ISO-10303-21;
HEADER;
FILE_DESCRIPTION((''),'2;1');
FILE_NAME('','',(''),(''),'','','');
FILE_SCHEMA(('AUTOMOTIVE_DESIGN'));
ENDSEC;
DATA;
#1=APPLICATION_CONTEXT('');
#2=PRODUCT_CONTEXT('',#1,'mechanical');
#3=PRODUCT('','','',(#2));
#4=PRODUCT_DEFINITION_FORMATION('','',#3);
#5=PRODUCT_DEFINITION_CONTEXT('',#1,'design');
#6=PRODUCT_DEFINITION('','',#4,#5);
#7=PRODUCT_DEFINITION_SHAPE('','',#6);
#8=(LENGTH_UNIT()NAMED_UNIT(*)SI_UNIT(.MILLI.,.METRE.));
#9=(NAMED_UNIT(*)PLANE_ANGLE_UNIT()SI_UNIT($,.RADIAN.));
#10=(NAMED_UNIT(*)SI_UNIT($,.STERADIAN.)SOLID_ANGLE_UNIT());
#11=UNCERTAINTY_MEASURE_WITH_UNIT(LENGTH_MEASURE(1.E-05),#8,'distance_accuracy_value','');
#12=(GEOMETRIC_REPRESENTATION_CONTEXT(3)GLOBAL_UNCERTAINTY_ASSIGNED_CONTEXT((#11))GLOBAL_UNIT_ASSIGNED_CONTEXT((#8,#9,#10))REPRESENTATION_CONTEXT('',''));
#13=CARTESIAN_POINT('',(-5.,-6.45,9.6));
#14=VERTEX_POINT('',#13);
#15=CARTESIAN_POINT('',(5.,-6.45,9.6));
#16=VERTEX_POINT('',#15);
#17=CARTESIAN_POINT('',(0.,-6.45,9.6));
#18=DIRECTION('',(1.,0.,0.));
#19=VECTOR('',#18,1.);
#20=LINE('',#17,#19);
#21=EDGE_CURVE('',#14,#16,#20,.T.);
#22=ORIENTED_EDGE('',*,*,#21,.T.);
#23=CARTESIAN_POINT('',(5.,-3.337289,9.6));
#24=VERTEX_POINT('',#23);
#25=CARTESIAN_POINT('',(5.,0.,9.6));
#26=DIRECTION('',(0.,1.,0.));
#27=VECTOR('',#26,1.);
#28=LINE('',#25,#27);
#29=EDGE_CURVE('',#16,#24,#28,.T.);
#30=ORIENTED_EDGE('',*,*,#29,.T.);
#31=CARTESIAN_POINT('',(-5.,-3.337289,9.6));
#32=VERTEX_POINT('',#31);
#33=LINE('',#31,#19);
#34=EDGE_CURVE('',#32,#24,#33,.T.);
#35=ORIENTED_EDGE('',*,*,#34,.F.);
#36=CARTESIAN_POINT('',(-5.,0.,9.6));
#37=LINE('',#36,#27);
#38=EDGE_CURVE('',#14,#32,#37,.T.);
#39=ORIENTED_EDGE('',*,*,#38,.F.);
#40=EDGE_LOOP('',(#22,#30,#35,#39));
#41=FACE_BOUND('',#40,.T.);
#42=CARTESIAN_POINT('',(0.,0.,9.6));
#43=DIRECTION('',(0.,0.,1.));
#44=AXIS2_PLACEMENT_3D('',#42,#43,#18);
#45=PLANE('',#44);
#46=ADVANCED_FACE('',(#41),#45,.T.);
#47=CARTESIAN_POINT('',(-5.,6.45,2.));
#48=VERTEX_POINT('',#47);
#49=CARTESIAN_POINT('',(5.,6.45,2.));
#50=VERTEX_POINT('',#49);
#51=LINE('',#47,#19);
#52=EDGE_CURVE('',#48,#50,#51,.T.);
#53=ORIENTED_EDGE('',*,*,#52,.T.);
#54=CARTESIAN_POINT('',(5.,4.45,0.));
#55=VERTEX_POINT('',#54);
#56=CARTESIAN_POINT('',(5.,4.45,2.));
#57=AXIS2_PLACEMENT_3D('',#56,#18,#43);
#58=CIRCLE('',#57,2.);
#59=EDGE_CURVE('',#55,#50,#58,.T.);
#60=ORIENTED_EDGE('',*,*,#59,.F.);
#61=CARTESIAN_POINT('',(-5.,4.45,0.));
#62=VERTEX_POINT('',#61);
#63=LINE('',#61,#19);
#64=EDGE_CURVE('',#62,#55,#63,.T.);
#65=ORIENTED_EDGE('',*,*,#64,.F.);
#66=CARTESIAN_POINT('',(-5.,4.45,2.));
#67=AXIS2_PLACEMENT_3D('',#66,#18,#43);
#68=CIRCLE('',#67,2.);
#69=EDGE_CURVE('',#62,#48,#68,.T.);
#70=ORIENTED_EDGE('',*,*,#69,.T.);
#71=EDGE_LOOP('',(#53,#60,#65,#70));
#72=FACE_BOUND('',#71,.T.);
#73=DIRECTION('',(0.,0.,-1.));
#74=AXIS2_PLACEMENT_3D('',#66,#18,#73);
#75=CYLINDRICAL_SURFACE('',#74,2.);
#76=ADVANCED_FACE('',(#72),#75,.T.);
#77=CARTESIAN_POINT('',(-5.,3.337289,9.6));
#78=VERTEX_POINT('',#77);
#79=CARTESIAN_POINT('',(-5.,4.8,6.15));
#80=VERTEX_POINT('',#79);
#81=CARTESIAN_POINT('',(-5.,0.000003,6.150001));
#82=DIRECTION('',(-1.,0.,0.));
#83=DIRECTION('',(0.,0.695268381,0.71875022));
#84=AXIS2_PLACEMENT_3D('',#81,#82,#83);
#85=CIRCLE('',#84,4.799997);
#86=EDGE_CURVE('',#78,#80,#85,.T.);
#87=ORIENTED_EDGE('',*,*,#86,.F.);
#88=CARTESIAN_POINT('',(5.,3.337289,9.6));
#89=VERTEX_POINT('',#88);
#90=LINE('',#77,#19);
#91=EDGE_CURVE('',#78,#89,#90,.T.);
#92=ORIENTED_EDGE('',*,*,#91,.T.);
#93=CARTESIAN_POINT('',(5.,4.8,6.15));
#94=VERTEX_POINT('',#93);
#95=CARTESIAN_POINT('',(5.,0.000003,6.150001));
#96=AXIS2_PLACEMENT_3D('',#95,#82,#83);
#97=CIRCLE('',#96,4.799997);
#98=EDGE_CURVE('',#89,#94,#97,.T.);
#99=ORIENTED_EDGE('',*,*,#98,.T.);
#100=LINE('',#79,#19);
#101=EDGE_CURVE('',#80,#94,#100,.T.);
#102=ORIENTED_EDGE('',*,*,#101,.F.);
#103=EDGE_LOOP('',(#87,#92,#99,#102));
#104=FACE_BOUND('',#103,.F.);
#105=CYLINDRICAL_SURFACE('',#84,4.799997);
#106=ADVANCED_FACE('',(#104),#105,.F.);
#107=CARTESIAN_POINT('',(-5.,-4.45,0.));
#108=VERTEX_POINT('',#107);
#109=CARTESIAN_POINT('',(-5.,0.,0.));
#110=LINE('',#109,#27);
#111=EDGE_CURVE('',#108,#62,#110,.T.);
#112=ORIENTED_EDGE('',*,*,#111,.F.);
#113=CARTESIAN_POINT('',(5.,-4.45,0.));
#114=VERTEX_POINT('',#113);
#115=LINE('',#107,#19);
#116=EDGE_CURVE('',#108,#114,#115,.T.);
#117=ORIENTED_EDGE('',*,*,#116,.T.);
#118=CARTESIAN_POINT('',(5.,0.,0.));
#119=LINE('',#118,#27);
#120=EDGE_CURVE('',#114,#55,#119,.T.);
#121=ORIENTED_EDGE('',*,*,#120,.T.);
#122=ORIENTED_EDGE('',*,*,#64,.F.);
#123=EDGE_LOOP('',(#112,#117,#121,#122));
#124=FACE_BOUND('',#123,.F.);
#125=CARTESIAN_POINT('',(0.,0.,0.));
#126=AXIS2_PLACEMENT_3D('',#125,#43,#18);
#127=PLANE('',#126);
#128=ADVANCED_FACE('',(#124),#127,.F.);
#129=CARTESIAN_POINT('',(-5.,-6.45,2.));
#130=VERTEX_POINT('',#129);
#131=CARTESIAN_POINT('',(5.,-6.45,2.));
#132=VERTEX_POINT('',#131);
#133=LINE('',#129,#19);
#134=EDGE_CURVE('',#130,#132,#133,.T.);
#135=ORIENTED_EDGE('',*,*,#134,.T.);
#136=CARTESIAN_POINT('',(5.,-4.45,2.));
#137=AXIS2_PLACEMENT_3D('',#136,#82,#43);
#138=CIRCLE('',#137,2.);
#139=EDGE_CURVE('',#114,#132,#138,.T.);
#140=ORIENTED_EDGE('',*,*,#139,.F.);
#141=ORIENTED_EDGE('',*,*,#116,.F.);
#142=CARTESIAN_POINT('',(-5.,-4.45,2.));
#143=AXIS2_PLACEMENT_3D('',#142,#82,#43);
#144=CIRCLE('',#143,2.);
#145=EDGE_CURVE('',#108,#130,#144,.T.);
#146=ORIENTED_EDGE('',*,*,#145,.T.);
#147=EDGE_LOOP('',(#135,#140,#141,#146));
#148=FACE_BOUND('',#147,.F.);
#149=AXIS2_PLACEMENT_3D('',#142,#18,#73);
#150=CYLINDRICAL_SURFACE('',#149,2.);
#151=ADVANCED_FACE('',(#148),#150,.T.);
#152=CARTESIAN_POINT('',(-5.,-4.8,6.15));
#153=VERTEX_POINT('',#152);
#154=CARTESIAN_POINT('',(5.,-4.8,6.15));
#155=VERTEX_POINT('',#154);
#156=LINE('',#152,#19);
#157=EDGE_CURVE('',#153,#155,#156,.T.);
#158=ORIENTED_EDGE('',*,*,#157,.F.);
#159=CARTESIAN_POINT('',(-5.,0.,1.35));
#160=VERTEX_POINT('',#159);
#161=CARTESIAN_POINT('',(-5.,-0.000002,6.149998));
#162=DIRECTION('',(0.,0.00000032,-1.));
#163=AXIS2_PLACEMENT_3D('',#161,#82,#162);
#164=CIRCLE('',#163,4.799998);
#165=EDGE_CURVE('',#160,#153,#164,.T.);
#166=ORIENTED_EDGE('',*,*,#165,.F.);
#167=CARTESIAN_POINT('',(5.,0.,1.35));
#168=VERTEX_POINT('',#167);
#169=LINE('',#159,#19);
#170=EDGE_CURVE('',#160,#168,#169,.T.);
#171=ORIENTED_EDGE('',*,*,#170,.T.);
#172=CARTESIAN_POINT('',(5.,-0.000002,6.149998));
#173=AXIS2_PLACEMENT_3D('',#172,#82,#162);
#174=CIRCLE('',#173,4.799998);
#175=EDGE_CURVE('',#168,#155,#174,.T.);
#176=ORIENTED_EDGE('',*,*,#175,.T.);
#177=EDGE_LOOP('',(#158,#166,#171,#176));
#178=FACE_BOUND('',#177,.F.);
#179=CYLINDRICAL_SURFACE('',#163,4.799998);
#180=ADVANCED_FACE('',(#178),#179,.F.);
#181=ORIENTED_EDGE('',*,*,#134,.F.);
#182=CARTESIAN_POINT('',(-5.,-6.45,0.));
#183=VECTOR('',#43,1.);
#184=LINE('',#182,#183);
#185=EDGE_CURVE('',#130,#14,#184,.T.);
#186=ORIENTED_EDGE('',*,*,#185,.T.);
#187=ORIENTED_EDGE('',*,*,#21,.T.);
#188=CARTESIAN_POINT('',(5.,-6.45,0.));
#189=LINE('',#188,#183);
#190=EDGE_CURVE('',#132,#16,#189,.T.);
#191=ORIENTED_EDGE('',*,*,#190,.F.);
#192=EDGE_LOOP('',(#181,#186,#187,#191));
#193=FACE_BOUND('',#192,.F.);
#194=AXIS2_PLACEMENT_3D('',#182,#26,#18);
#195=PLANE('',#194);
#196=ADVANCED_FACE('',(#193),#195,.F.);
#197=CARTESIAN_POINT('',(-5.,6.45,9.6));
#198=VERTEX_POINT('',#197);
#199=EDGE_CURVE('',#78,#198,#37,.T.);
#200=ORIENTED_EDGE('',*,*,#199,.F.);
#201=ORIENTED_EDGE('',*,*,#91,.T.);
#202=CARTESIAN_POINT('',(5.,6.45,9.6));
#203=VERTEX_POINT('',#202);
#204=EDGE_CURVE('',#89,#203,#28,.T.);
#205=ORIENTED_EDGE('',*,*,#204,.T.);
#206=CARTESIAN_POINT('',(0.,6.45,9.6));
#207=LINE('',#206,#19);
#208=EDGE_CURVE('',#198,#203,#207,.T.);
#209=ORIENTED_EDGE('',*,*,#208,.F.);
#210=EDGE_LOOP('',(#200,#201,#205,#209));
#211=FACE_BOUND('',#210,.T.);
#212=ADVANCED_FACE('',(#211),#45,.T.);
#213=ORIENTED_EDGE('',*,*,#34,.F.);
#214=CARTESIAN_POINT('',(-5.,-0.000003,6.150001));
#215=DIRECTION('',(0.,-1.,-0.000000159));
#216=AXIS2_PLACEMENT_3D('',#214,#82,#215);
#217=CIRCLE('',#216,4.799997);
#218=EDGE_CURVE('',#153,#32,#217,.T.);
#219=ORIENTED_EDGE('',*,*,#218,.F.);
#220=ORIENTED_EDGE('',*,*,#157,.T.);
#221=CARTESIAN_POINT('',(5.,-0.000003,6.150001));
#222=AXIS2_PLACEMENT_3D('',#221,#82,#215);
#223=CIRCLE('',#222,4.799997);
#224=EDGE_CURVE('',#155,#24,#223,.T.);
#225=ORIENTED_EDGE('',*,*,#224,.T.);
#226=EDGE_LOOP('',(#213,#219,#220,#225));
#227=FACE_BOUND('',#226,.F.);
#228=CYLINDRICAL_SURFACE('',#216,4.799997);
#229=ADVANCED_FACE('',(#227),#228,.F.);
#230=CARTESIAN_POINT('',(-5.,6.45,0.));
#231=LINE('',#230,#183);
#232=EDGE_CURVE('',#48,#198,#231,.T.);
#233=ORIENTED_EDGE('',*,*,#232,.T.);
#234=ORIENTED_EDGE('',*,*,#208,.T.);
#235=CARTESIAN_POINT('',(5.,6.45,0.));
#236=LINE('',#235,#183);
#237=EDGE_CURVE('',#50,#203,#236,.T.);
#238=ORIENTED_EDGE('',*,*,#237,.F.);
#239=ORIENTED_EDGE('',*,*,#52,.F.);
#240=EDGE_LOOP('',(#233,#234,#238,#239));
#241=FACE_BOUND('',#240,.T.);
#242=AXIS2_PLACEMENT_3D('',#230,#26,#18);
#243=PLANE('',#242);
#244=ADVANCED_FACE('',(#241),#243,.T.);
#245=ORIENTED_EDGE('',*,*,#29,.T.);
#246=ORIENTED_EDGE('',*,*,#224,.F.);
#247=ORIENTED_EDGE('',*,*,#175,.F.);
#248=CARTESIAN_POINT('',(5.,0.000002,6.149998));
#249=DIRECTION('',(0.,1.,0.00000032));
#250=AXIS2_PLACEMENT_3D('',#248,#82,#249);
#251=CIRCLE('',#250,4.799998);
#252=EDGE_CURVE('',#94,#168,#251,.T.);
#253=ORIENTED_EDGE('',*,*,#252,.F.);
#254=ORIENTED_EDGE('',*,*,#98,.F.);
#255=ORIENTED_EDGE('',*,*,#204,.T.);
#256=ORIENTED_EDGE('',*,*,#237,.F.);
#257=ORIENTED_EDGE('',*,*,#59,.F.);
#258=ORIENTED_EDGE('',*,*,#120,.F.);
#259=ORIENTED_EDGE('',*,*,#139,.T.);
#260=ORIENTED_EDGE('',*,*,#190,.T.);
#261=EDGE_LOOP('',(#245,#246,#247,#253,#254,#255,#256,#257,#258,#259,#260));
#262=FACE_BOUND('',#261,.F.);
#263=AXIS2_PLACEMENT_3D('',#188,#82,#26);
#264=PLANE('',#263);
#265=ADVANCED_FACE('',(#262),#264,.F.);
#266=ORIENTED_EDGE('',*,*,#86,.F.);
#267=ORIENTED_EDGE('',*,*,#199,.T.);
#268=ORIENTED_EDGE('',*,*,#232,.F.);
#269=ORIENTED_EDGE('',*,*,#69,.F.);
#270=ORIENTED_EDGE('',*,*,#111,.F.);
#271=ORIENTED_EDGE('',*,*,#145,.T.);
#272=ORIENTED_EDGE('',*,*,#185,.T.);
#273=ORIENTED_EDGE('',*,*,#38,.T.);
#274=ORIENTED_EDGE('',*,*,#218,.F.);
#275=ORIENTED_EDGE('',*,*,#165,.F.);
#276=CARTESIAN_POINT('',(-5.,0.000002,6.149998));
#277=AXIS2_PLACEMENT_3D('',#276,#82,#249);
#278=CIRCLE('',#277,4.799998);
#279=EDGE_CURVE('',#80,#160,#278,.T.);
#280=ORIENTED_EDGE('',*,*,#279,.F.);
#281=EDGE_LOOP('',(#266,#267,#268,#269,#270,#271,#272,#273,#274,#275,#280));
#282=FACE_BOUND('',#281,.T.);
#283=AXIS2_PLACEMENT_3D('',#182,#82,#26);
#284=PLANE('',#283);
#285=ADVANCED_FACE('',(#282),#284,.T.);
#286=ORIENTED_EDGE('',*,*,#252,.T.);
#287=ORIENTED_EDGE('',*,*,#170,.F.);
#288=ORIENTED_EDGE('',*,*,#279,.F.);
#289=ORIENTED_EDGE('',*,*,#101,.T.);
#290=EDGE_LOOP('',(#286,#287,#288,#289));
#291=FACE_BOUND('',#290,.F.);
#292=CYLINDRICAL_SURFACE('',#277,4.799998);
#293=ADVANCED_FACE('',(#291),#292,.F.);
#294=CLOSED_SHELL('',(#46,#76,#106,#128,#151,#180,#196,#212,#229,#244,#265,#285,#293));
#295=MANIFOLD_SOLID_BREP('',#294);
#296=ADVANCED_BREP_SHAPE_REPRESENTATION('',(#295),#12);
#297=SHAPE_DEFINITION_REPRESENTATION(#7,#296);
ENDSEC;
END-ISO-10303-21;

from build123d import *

# Parameters (mm, degrees)
F0_W     = 10
F0_H     = 12.9
F1_DEPTH = 9.6
F3_DEPTH = 10.001
F4_R     = 2


with BuildPart() as f1:
    # F0 (on Top) → F1 (new body)
    with BuildSketch(Plane.XY):
        Rectangle(F0_W, F0_H)
    extrude(amount=F1_DEPTH)

    # F2 (on face) → F3 (cut, through all)
    with BuildSketch(Plane(origin=(-5, 0, 0), x_dir=(0, -1, 0), z_dir=(-1, 0, 0))):
        with BuildLine():
            Line((-4.8, 6.15), (0, 6.15))
            Line((0, 6.15), (4.8, 6.15))
            ThreePointArc((4.8, 6.15), (4.419219, 8.023634), (3.337289, 9.6))
            Line((3.337289, 9.6), (-3.337289, 9.6))
            ThreePointArc((-3.337289, 9.6), (-4.419219, 8.023634), (-4.8, 6.15))
        make_face()
        with BuildLine():
            ThreePointArc((-4.8, 6.15), (-3.394113, 2.755887), (0, 1.35))
            Line((0, 1.35), (0, 6.15))
            Line((0, 6.15), (-4.8, 6.15))
        make_face()
        with BuildLine():
            Line((0, 6.15), (0, 1.35))
            ThreePointArc((0, 1.35), (3.394113, 2.755887), (4.8, 6.15))
            Line((4.8, 6.15), (0, 6.15))
        make_face()
    extrude(amount=-F3_DEPTH, mode=Mode.SUBTRACT)

    # F4
    f4_edges = [f1.edges().sort_by_distance(p)[0] for p in [
        (0, -6.45, 0),
        (0, 6.45, 0),
    ]]
    fillet(f4_edges, radius=F4_R)


solid = f1.part
